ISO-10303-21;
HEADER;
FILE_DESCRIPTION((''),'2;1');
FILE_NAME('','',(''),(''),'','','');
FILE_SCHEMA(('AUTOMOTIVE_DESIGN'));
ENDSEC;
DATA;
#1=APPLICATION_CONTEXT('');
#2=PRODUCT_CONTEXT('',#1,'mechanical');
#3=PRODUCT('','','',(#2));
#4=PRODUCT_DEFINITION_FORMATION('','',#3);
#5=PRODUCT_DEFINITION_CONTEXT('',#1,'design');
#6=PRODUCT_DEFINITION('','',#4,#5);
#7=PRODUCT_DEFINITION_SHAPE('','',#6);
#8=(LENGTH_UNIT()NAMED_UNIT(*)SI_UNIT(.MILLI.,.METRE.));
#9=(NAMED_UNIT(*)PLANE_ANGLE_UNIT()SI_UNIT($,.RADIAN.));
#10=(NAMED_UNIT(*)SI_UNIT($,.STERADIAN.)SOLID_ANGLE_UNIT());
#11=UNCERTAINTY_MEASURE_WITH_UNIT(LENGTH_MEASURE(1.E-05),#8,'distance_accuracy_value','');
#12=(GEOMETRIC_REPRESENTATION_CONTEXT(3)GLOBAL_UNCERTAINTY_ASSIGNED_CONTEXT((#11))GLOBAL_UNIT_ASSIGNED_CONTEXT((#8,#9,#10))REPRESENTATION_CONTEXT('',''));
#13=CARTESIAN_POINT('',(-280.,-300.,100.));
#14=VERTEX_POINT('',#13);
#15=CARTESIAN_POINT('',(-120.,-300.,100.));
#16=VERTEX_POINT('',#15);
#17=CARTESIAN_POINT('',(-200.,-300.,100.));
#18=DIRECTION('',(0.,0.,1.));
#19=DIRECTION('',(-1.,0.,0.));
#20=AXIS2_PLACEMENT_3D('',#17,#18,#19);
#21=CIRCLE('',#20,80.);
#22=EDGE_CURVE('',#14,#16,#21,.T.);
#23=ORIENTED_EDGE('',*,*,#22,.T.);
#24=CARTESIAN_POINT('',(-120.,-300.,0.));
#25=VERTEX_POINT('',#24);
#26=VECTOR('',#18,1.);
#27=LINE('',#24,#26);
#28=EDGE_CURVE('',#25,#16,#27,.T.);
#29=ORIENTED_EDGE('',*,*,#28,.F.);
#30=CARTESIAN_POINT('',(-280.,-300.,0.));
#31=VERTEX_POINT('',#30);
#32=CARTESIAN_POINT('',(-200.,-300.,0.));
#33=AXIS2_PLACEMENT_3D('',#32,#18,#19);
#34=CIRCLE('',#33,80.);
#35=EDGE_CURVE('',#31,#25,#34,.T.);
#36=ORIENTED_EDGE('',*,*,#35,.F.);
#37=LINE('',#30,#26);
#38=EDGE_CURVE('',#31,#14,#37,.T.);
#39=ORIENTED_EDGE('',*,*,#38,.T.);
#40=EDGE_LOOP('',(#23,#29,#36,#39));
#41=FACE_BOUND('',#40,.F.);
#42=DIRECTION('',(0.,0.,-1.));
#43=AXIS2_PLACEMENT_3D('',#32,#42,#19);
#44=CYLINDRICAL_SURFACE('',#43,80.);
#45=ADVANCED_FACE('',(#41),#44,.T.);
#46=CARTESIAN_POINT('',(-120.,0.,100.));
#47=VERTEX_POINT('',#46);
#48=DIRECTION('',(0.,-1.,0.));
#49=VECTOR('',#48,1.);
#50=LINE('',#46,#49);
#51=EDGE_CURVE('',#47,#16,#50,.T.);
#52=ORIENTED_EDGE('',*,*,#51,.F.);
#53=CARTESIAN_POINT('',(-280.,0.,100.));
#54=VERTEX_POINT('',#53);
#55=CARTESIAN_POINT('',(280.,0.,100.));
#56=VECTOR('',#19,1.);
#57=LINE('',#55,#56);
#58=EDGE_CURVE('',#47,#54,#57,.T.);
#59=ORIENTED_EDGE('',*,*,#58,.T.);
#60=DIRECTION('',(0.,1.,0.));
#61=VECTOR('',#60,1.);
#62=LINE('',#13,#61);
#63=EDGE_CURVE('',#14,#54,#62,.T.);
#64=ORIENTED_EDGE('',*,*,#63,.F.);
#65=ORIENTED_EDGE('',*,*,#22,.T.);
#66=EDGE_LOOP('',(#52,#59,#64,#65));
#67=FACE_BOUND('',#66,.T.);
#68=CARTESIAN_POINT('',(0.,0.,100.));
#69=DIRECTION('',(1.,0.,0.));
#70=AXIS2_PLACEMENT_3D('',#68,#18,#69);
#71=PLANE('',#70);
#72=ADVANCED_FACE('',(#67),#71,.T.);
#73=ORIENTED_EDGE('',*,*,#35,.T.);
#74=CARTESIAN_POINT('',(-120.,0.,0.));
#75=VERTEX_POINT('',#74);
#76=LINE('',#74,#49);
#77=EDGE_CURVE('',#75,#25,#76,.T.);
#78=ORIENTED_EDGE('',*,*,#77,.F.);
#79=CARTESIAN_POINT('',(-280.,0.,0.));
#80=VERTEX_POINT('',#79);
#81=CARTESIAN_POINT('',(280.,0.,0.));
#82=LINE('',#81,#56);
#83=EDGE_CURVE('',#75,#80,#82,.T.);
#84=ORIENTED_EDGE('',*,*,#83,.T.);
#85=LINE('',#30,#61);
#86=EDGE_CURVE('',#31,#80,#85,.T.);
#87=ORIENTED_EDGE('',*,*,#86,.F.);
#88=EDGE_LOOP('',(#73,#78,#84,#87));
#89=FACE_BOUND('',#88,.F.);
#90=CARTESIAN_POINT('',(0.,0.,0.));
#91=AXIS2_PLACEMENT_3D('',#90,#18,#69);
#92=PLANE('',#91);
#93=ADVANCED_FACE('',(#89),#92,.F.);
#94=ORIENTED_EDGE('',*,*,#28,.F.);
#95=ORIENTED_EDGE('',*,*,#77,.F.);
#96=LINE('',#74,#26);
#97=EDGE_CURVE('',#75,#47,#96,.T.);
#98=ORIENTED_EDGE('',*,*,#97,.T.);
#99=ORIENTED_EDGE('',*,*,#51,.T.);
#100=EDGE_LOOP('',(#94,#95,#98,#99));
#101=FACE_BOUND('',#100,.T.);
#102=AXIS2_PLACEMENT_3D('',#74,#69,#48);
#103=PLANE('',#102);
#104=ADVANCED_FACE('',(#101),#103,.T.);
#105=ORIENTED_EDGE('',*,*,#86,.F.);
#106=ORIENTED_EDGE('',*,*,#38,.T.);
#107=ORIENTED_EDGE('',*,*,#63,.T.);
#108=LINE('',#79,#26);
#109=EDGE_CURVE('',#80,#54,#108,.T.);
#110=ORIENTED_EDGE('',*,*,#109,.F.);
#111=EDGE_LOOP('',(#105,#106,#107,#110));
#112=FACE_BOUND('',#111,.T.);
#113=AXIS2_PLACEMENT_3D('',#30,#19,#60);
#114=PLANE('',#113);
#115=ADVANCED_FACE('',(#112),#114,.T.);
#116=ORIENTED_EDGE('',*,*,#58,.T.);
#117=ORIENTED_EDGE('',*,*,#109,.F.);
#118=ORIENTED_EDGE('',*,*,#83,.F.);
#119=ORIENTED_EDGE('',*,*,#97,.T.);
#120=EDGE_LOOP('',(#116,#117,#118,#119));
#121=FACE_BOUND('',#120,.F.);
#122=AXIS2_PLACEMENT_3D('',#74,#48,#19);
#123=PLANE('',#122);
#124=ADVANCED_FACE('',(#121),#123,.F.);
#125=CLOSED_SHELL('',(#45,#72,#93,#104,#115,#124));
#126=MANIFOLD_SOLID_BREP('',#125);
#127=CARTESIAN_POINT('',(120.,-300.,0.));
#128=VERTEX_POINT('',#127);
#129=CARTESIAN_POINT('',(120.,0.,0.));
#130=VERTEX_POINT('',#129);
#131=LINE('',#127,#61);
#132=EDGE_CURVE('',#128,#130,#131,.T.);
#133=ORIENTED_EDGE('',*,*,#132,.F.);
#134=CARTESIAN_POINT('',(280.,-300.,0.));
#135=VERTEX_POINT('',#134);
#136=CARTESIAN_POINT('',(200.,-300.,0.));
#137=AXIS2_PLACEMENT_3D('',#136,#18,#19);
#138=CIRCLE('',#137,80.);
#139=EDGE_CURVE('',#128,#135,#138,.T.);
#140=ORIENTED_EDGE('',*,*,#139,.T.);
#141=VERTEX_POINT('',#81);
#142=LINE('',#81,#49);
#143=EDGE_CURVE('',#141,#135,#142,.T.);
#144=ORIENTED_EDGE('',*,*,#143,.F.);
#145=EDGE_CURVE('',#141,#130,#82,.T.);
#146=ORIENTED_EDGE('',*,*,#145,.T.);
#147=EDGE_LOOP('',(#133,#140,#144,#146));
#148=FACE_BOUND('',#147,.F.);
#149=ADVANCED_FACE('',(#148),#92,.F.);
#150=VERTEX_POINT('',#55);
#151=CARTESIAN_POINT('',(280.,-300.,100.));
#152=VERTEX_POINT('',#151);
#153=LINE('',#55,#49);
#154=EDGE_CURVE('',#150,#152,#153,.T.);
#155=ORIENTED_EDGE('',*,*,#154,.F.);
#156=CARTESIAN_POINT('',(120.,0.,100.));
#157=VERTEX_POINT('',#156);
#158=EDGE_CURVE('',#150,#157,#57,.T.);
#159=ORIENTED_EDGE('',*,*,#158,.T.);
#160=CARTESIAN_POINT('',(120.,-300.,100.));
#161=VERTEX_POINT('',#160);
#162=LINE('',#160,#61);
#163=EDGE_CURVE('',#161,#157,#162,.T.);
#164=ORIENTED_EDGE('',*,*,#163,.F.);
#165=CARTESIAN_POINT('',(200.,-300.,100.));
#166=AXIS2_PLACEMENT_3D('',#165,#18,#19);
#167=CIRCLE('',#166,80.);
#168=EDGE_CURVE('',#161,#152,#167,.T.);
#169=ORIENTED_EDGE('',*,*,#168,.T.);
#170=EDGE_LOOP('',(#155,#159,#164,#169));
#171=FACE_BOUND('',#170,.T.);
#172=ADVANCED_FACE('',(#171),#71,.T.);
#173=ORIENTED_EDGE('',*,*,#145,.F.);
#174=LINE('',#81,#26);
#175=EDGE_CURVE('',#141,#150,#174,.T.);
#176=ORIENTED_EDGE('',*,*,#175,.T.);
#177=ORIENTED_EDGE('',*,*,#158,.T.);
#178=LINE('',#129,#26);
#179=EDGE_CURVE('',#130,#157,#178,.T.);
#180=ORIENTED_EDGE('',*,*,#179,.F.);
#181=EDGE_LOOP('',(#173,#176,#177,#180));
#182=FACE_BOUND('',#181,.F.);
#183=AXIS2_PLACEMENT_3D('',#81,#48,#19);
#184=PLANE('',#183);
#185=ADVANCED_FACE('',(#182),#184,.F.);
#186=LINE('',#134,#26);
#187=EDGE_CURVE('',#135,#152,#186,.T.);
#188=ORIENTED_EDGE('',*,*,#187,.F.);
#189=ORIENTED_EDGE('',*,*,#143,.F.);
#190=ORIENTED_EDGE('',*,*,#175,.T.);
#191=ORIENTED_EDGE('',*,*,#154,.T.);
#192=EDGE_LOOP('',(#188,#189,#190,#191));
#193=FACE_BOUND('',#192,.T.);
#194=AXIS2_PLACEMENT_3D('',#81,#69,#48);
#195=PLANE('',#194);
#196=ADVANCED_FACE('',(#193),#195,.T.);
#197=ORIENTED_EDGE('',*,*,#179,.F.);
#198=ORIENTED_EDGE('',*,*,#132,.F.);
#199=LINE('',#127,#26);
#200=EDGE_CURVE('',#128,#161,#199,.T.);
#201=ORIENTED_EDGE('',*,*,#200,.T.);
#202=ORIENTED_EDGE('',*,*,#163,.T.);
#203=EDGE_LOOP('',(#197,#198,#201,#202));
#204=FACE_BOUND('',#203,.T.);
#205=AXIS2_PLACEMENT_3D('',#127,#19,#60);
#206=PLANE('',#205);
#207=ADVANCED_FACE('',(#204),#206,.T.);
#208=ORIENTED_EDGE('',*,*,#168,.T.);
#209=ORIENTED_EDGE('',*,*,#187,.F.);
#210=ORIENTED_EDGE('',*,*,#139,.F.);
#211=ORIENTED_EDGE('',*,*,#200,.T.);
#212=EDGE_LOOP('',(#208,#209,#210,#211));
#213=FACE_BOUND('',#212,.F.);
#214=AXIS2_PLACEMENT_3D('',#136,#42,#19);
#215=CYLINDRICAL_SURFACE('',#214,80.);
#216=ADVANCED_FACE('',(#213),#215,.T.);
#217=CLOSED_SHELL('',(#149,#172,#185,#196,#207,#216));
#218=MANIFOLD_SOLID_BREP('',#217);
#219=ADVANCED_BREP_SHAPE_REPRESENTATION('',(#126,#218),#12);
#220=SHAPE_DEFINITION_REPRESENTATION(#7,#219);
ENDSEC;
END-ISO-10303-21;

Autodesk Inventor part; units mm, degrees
ref_plane "YZ Plane" through (0, 0, 0) normal (1, 0, 0) x (0, 1, 0)
ref_plane "XZ Plane" through (0, 0, 0) normal (0, 1, 0) x (-1, 0, 0)
ref_plane "XY Plane" through (0, 0, 0) normal (0, 0, 1) x (1, 0, 0)
sketch "Sketch1" plane through (0, 0, 0) normal (0, 0, 1) x (1, 0, 0)
  line L0 (280, 0) -> (280, -300)
  arc A0 (120, -300) -> (280, -300) centre (200, -300) ccw
  line L1 (120, -300) -> (120, 0)
  line L2 (-120, 0) -> (-120, -300)
  arc A1 (-280, -300) -> (-120, -300) centre (-200, -300) ccw
  line L3 (-280, -300) -> (-280, 0)
  line L4 (280, 0) -> (-280, 0)
  line L5 (0, 0) -> (0, -525.5319) construction
  dimension "d0" = 160
  dimension "d1" = 560
  dimension "d2" = 300
extrude "Extrusion1" add sketch "Sketch1" along normal blind 100
properties part number "pallet jack dummy"
